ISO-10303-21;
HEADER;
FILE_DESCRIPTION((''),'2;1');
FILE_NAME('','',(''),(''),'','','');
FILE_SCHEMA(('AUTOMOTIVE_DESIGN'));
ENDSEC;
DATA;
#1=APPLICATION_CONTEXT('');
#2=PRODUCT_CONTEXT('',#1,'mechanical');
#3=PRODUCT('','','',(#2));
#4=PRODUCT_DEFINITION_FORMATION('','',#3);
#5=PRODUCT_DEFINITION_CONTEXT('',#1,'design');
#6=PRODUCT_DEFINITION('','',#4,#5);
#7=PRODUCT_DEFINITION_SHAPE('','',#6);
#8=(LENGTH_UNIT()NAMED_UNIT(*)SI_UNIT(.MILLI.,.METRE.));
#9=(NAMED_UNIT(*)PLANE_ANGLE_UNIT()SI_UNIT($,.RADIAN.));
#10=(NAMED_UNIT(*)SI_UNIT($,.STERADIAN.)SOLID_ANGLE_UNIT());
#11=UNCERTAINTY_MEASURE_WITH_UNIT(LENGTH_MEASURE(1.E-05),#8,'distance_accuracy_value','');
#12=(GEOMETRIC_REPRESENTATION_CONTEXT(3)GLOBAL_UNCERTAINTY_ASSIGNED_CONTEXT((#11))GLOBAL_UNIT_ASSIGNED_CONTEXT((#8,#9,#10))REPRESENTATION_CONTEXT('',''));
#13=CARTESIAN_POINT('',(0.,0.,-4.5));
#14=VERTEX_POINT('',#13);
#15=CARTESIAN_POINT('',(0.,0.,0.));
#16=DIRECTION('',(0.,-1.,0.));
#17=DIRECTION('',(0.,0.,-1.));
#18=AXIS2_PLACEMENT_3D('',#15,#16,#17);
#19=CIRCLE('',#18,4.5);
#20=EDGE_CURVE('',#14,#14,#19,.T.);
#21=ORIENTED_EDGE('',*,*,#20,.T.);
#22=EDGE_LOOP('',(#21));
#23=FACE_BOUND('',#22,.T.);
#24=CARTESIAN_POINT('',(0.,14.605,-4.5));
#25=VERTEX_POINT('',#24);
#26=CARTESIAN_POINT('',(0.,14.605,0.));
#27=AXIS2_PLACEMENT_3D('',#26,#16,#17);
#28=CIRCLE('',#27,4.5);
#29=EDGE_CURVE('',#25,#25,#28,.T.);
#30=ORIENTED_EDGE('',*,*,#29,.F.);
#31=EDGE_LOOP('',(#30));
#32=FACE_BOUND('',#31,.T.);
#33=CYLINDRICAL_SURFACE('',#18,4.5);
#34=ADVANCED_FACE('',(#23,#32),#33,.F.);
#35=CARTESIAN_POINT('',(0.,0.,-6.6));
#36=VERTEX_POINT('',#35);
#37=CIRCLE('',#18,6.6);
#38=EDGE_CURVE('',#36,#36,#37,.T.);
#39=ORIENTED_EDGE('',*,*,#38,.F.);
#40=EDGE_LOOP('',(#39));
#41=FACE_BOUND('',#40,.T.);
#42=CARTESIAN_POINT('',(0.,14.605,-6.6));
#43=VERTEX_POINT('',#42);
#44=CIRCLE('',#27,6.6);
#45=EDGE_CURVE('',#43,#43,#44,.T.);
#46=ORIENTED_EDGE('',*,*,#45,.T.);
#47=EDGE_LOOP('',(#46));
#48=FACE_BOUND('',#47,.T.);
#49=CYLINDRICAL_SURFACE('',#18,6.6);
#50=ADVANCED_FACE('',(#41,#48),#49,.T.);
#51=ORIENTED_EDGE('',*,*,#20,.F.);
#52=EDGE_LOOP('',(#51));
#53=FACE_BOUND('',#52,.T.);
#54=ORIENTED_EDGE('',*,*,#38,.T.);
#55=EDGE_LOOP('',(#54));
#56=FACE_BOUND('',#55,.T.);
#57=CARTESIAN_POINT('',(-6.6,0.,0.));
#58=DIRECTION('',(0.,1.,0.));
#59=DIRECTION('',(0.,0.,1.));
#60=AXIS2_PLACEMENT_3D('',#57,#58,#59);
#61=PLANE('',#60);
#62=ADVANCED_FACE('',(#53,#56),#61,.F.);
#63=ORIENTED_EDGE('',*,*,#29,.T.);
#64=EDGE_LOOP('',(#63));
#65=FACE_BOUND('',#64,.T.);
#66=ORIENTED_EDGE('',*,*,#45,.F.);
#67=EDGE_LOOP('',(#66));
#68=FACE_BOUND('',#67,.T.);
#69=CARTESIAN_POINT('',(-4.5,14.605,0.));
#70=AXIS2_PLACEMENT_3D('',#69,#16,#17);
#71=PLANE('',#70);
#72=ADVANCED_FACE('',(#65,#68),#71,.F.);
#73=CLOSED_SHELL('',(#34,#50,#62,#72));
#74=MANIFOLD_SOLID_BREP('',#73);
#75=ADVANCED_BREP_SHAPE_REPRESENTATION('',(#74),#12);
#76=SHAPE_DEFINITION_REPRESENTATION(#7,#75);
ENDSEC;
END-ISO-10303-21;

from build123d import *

# Parameters (mm, degrees)
SKETCH1_W = 2.1
SKETCH1_H = 14.605


with BuildPart() as part:
    # Sketch1 → Revolve1 (revolve)
    with BuildSketch(Plane.XY, mode=Mode.PRIVATE) as revolve1_sk:
        with Locations((-5.55, 7.3025)):
            Rectangle(SKETCH1_W, SKETCH1_H)
    revolve(revolve1_sk.sketch.rotate(Axis((0, 0, 0), (0, 1, 0)), 270), axis=Axis((0, 0, 0), (0, 1, 0)))


solid = part.part
